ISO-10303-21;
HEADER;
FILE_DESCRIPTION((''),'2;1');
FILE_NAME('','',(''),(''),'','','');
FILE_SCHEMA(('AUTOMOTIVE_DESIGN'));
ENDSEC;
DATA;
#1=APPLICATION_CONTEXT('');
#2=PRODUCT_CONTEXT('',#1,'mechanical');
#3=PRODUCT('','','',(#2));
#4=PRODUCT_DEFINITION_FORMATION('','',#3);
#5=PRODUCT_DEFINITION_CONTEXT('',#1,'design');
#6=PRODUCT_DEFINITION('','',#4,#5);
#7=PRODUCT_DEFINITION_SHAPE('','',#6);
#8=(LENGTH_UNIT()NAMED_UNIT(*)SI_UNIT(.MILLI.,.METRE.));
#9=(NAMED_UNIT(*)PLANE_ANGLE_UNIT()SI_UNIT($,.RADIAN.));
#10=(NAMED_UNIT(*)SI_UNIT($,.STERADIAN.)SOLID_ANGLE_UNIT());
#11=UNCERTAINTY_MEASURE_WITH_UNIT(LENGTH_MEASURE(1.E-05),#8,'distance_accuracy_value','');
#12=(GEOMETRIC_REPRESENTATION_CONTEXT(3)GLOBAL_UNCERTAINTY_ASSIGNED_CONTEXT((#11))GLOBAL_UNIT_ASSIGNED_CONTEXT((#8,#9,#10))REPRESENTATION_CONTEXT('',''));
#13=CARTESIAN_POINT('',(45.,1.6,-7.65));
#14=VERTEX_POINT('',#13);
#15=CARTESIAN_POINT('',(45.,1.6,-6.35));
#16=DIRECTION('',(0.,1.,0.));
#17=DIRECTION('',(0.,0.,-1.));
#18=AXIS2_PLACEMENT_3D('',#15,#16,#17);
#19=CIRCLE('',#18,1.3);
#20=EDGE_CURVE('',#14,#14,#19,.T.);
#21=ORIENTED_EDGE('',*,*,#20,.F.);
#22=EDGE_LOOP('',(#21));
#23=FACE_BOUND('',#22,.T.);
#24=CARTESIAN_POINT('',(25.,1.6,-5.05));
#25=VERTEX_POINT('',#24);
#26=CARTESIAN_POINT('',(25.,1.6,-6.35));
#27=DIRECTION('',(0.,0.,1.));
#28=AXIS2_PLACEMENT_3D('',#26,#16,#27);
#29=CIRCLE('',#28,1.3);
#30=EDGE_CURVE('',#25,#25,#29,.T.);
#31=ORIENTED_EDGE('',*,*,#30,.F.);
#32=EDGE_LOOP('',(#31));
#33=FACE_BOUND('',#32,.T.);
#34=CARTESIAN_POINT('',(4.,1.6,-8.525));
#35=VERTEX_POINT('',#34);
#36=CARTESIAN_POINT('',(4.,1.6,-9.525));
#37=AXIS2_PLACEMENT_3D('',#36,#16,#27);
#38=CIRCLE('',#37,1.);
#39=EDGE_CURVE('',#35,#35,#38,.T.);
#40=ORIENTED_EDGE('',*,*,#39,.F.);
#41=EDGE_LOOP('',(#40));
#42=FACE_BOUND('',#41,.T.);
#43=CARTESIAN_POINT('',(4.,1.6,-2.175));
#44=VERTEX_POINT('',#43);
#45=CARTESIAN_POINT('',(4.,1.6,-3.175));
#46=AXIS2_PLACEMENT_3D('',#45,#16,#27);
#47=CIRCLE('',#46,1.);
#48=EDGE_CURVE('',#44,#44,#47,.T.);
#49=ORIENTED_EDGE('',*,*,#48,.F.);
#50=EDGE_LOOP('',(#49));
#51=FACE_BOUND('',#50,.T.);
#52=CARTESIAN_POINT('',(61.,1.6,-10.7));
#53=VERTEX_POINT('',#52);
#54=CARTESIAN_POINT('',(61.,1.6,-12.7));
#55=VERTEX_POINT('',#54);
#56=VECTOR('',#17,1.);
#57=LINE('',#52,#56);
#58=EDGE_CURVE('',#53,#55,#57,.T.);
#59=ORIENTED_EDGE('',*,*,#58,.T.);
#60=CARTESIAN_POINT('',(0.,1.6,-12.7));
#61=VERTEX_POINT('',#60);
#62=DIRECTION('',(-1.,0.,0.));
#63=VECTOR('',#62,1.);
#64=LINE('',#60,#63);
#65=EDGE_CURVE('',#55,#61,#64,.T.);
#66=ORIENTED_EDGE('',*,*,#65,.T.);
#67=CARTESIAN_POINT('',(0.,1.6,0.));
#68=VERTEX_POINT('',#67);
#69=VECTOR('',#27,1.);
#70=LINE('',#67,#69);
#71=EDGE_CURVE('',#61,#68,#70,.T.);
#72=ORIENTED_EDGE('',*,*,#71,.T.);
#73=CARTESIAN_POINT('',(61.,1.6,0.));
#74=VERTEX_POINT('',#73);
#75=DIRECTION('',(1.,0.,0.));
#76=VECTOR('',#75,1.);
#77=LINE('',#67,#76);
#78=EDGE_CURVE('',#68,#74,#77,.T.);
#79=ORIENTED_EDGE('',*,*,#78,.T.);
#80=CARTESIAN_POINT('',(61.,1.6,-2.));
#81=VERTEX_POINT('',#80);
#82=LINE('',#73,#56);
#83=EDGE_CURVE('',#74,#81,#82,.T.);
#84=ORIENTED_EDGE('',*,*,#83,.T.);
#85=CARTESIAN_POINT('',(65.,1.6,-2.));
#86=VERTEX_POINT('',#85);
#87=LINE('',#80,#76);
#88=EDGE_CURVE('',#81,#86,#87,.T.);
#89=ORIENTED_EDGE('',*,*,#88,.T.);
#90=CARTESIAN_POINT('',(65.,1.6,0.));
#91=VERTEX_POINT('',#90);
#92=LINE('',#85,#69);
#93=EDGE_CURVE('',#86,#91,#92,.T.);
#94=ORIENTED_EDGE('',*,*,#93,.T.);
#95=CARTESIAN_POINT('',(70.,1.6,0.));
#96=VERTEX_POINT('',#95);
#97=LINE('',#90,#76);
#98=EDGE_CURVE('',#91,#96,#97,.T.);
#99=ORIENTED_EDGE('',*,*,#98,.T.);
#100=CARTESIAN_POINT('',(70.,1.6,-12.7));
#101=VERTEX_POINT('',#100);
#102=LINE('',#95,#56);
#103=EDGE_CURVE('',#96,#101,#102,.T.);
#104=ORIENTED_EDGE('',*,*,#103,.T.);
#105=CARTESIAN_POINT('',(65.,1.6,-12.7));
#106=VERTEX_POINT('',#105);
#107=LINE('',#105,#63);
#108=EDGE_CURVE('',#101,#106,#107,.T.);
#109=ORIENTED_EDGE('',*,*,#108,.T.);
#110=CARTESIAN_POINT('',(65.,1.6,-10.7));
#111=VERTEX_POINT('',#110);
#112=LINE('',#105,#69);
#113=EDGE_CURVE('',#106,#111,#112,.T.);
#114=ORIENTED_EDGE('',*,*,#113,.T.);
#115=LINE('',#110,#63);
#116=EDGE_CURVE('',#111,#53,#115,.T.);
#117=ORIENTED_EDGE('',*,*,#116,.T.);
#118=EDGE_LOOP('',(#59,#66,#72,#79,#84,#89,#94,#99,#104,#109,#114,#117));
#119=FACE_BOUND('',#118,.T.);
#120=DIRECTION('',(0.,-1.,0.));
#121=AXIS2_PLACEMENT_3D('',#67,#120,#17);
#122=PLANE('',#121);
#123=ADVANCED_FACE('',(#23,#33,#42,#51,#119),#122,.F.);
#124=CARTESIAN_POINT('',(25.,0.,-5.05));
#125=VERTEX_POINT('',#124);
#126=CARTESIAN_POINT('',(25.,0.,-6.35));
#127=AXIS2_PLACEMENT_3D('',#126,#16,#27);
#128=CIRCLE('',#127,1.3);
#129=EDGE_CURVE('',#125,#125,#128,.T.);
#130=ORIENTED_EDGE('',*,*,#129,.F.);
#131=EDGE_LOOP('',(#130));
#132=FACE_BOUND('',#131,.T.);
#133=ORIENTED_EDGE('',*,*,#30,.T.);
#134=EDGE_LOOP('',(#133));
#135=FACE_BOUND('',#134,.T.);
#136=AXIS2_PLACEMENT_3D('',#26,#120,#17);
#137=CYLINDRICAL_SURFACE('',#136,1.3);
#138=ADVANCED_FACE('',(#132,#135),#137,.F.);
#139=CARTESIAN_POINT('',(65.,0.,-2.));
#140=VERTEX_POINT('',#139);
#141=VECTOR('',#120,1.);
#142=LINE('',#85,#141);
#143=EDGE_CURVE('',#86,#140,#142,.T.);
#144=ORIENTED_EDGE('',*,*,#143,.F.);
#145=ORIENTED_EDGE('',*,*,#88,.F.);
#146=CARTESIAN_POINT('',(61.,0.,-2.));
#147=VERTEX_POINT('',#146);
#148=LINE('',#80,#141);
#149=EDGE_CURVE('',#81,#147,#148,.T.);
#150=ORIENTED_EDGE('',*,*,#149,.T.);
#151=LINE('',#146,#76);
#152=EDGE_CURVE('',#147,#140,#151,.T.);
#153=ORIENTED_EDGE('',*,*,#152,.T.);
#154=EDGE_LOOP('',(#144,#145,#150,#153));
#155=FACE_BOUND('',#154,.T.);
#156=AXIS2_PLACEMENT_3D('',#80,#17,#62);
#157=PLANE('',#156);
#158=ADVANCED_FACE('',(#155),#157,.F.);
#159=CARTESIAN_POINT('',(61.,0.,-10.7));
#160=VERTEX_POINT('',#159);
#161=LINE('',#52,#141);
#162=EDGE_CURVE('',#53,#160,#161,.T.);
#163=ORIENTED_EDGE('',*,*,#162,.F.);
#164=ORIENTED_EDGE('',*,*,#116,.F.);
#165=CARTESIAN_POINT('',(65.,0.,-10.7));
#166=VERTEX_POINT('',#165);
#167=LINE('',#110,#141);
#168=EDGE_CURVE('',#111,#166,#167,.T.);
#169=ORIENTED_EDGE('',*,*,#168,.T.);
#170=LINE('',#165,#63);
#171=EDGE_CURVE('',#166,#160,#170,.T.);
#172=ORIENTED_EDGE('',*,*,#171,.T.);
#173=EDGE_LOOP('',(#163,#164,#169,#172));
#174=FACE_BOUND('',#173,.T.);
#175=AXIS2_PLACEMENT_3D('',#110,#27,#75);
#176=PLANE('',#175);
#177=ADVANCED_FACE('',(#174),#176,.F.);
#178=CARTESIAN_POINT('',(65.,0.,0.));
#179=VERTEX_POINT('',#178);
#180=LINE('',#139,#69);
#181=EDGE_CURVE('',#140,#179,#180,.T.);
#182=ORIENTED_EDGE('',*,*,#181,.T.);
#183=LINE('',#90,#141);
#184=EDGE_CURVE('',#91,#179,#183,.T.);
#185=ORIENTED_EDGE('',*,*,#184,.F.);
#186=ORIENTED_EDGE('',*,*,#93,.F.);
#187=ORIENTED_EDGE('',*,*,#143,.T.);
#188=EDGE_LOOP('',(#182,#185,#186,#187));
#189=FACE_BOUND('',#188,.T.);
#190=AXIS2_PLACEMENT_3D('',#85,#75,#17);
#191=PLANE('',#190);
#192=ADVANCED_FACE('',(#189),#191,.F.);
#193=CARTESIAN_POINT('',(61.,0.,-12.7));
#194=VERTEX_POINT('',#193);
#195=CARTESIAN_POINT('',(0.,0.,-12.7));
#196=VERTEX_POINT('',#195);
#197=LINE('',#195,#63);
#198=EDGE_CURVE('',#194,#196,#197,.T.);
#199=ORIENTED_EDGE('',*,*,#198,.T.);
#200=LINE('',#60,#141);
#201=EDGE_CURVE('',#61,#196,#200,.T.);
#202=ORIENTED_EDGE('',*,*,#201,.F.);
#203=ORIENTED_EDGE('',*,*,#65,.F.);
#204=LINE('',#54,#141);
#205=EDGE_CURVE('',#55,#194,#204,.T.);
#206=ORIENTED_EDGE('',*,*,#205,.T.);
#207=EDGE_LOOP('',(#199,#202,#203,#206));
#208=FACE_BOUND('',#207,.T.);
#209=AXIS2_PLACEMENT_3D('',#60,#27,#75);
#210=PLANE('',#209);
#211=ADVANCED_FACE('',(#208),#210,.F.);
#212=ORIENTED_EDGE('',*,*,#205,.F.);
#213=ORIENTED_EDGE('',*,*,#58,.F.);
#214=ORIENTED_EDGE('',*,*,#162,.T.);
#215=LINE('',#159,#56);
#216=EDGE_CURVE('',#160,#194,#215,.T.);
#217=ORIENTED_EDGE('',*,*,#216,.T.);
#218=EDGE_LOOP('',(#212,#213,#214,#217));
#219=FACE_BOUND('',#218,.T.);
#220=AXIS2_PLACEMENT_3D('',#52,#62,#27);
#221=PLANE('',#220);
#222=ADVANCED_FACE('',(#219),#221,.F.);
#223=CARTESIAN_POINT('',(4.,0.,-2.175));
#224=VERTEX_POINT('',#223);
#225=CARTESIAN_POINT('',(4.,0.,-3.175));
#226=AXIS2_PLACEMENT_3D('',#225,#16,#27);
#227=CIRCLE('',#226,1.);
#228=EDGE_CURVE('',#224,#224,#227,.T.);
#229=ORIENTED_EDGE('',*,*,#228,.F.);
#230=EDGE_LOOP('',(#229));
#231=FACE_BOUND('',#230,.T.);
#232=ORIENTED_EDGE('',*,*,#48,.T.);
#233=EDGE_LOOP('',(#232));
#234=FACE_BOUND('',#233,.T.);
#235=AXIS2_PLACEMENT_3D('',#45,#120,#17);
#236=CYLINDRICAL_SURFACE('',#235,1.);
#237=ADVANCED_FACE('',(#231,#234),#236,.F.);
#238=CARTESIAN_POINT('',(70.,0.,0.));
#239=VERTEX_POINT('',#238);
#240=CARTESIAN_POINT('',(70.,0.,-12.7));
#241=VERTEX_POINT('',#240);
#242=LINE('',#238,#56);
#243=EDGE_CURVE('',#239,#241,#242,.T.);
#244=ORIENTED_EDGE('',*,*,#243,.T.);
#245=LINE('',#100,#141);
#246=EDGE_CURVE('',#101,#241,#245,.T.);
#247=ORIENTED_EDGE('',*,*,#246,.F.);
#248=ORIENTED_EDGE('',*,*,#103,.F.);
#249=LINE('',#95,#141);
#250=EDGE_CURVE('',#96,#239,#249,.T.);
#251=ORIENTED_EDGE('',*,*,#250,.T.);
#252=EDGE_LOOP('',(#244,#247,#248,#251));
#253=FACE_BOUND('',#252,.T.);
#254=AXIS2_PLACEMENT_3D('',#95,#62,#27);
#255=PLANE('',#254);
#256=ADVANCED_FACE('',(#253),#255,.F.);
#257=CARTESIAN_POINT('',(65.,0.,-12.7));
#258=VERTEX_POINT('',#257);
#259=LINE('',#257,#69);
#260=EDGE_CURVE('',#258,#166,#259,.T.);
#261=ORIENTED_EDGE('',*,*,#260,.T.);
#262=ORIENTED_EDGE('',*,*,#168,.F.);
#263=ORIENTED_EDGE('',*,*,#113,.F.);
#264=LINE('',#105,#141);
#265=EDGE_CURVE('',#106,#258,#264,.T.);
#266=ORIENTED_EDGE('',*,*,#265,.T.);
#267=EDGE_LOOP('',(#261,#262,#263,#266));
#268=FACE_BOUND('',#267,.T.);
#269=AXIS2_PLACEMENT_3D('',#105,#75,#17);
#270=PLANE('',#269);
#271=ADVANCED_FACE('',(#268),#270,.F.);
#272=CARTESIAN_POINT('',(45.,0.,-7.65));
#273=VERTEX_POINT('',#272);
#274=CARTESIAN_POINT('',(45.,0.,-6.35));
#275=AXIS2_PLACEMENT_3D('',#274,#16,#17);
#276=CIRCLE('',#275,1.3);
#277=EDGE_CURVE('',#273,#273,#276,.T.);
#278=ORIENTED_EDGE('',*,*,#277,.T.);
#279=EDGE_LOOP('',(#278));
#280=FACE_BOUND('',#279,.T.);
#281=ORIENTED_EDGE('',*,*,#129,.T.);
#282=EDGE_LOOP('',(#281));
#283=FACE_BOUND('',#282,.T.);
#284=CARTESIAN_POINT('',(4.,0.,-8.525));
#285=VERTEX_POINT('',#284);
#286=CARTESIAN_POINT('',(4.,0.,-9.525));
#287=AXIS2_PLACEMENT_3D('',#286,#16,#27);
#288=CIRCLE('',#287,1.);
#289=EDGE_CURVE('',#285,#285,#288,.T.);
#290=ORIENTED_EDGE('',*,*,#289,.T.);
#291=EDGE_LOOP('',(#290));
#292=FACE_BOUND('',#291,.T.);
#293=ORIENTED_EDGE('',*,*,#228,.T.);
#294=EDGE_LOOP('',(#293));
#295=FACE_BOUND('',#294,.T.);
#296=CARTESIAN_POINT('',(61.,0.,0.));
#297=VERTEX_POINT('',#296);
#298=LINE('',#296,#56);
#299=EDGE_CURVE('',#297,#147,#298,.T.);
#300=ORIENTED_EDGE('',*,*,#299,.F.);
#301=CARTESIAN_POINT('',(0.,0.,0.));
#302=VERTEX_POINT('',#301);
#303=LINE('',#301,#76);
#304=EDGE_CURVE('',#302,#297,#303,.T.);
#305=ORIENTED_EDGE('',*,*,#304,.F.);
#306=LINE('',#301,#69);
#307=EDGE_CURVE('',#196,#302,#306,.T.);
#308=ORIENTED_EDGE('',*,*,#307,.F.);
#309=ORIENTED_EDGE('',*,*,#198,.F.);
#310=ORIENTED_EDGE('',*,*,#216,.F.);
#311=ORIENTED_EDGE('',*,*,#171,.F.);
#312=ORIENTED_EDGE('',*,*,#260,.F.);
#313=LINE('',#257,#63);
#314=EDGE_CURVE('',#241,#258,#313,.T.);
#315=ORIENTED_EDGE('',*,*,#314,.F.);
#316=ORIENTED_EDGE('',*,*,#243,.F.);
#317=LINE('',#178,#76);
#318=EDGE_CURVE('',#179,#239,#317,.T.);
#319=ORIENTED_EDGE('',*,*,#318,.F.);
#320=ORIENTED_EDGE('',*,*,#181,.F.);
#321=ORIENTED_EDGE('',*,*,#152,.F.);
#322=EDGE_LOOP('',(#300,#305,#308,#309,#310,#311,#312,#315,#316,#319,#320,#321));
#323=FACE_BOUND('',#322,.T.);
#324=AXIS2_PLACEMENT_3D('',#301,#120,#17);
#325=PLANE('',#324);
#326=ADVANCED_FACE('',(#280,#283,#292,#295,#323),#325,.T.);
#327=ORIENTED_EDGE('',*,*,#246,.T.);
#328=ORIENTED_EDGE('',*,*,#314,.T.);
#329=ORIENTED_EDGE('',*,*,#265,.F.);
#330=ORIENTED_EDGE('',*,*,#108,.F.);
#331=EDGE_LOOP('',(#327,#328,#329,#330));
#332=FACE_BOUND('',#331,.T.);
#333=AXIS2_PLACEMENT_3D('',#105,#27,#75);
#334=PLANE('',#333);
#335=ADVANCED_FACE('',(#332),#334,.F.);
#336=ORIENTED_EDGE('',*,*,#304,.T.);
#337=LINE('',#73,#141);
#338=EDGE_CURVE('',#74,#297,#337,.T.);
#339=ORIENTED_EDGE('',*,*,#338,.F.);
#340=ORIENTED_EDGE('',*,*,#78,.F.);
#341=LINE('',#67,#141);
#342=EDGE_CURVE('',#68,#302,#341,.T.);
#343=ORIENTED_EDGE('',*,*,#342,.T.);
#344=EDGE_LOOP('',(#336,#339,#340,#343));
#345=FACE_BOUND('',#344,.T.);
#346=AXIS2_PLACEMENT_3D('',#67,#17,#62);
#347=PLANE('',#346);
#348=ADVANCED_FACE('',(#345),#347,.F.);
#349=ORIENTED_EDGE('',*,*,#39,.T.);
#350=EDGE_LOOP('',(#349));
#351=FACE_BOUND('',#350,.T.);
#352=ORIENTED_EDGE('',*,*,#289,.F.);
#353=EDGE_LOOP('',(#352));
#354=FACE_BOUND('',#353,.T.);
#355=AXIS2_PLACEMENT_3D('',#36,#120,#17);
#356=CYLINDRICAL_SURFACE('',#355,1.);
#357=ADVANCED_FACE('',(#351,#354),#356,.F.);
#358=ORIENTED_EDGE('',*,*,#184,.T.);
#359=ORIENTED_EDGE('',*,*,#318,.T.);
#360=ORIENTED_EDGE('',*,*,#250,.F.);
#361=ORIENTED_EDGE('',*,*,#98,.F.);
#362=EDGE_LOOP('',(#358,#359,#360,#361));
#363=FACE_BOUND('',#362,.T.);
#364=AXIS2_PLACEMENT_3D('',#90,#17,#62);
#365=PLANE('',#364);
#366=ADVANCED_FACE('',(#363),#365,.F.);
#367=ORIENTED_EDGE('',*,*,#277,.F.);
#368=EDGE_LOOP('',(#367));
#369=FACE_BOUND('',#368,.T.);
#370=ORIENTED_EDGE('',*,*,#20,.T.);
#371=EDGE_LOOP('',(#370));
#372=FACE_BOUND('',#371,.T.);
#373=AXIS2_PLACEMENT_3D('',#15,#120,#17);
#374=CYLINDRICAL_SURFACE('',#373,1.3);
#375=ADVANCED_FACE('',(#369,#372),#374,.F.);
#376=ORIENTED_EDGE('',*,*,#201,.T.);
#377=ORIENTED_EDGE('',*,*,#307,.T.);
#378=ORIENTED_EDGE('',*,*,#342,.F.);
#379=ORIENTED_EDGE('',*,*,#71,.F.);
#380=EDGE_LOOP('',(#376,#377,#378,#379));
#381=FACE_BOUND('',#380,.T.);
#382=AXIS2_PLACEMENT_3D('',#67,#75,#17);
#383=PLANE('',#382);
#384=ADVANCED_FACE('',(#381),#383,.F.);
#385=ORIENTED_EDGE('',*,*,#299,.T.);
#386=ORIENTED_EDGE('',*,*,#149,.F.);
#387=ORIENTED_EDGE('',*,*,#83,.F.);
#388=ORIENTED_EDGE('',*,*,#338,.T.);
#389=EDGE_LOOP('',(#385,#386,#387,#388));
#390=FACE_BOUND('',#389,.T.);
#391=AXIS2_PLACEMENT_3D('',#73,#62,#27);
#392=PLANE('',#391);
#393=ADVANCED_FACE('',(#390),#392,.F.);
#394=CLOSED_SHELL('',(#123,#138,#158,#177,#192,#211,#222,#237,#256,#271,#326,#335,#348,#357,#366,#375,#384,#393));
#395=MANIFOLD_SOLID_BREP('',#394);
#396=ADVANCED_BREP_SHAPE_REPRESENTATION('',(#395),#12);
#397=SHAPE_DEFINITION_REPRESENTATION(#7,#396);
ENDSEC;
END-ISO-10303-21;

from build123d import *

# Parameters (mm, degrees)
SKETCH1_R           = 1
SKETCH1_R_2         = 1.3
BOSS_EXTRUDE1_DEPTH = 1.6


with BuildPart() as part:
    # Sketch1 → Boss-Extrude1 (new body)
    with BuildSketch(Plane(origin=(0, 0, 0), x_dir=(1, 0, 0), z_dir=(0, 1, 0))):
        Polygon((0, 0), (61, 0), (61, 2), (65, 2), (65, 0), (70, 0), (70, 12.7), (65, 12.7), (65, 10.7), (61, 10.7), (61, 12.7), (0, 12.7), align=None)
        with Locations(Location((4, 9.525, 0), (0, 0, 270))):
            Circle(SKETCH1_R, mode=Mode.SUBTRACT)
        with Locations(Location((4, 3.175, 0), (0, 0, 270))):
            Circle(SKETCH1_R, mode=Mode.SUBTRACT)
        with Locations(Location((25, 6.35, 0), (0, 0, 270))):
            Circle(SKETCH1_R_2, mode=Mode.SUBTRACT)
        with Locations(Location((45, 6.35, 0), (0, 0, 90))):
            Circle(SKETCH1_R_2, mode=Mode.SUBTRACT)
    extrude(amount=BOSS_EXTRUDE1_DEPTH)


solid = part.part
